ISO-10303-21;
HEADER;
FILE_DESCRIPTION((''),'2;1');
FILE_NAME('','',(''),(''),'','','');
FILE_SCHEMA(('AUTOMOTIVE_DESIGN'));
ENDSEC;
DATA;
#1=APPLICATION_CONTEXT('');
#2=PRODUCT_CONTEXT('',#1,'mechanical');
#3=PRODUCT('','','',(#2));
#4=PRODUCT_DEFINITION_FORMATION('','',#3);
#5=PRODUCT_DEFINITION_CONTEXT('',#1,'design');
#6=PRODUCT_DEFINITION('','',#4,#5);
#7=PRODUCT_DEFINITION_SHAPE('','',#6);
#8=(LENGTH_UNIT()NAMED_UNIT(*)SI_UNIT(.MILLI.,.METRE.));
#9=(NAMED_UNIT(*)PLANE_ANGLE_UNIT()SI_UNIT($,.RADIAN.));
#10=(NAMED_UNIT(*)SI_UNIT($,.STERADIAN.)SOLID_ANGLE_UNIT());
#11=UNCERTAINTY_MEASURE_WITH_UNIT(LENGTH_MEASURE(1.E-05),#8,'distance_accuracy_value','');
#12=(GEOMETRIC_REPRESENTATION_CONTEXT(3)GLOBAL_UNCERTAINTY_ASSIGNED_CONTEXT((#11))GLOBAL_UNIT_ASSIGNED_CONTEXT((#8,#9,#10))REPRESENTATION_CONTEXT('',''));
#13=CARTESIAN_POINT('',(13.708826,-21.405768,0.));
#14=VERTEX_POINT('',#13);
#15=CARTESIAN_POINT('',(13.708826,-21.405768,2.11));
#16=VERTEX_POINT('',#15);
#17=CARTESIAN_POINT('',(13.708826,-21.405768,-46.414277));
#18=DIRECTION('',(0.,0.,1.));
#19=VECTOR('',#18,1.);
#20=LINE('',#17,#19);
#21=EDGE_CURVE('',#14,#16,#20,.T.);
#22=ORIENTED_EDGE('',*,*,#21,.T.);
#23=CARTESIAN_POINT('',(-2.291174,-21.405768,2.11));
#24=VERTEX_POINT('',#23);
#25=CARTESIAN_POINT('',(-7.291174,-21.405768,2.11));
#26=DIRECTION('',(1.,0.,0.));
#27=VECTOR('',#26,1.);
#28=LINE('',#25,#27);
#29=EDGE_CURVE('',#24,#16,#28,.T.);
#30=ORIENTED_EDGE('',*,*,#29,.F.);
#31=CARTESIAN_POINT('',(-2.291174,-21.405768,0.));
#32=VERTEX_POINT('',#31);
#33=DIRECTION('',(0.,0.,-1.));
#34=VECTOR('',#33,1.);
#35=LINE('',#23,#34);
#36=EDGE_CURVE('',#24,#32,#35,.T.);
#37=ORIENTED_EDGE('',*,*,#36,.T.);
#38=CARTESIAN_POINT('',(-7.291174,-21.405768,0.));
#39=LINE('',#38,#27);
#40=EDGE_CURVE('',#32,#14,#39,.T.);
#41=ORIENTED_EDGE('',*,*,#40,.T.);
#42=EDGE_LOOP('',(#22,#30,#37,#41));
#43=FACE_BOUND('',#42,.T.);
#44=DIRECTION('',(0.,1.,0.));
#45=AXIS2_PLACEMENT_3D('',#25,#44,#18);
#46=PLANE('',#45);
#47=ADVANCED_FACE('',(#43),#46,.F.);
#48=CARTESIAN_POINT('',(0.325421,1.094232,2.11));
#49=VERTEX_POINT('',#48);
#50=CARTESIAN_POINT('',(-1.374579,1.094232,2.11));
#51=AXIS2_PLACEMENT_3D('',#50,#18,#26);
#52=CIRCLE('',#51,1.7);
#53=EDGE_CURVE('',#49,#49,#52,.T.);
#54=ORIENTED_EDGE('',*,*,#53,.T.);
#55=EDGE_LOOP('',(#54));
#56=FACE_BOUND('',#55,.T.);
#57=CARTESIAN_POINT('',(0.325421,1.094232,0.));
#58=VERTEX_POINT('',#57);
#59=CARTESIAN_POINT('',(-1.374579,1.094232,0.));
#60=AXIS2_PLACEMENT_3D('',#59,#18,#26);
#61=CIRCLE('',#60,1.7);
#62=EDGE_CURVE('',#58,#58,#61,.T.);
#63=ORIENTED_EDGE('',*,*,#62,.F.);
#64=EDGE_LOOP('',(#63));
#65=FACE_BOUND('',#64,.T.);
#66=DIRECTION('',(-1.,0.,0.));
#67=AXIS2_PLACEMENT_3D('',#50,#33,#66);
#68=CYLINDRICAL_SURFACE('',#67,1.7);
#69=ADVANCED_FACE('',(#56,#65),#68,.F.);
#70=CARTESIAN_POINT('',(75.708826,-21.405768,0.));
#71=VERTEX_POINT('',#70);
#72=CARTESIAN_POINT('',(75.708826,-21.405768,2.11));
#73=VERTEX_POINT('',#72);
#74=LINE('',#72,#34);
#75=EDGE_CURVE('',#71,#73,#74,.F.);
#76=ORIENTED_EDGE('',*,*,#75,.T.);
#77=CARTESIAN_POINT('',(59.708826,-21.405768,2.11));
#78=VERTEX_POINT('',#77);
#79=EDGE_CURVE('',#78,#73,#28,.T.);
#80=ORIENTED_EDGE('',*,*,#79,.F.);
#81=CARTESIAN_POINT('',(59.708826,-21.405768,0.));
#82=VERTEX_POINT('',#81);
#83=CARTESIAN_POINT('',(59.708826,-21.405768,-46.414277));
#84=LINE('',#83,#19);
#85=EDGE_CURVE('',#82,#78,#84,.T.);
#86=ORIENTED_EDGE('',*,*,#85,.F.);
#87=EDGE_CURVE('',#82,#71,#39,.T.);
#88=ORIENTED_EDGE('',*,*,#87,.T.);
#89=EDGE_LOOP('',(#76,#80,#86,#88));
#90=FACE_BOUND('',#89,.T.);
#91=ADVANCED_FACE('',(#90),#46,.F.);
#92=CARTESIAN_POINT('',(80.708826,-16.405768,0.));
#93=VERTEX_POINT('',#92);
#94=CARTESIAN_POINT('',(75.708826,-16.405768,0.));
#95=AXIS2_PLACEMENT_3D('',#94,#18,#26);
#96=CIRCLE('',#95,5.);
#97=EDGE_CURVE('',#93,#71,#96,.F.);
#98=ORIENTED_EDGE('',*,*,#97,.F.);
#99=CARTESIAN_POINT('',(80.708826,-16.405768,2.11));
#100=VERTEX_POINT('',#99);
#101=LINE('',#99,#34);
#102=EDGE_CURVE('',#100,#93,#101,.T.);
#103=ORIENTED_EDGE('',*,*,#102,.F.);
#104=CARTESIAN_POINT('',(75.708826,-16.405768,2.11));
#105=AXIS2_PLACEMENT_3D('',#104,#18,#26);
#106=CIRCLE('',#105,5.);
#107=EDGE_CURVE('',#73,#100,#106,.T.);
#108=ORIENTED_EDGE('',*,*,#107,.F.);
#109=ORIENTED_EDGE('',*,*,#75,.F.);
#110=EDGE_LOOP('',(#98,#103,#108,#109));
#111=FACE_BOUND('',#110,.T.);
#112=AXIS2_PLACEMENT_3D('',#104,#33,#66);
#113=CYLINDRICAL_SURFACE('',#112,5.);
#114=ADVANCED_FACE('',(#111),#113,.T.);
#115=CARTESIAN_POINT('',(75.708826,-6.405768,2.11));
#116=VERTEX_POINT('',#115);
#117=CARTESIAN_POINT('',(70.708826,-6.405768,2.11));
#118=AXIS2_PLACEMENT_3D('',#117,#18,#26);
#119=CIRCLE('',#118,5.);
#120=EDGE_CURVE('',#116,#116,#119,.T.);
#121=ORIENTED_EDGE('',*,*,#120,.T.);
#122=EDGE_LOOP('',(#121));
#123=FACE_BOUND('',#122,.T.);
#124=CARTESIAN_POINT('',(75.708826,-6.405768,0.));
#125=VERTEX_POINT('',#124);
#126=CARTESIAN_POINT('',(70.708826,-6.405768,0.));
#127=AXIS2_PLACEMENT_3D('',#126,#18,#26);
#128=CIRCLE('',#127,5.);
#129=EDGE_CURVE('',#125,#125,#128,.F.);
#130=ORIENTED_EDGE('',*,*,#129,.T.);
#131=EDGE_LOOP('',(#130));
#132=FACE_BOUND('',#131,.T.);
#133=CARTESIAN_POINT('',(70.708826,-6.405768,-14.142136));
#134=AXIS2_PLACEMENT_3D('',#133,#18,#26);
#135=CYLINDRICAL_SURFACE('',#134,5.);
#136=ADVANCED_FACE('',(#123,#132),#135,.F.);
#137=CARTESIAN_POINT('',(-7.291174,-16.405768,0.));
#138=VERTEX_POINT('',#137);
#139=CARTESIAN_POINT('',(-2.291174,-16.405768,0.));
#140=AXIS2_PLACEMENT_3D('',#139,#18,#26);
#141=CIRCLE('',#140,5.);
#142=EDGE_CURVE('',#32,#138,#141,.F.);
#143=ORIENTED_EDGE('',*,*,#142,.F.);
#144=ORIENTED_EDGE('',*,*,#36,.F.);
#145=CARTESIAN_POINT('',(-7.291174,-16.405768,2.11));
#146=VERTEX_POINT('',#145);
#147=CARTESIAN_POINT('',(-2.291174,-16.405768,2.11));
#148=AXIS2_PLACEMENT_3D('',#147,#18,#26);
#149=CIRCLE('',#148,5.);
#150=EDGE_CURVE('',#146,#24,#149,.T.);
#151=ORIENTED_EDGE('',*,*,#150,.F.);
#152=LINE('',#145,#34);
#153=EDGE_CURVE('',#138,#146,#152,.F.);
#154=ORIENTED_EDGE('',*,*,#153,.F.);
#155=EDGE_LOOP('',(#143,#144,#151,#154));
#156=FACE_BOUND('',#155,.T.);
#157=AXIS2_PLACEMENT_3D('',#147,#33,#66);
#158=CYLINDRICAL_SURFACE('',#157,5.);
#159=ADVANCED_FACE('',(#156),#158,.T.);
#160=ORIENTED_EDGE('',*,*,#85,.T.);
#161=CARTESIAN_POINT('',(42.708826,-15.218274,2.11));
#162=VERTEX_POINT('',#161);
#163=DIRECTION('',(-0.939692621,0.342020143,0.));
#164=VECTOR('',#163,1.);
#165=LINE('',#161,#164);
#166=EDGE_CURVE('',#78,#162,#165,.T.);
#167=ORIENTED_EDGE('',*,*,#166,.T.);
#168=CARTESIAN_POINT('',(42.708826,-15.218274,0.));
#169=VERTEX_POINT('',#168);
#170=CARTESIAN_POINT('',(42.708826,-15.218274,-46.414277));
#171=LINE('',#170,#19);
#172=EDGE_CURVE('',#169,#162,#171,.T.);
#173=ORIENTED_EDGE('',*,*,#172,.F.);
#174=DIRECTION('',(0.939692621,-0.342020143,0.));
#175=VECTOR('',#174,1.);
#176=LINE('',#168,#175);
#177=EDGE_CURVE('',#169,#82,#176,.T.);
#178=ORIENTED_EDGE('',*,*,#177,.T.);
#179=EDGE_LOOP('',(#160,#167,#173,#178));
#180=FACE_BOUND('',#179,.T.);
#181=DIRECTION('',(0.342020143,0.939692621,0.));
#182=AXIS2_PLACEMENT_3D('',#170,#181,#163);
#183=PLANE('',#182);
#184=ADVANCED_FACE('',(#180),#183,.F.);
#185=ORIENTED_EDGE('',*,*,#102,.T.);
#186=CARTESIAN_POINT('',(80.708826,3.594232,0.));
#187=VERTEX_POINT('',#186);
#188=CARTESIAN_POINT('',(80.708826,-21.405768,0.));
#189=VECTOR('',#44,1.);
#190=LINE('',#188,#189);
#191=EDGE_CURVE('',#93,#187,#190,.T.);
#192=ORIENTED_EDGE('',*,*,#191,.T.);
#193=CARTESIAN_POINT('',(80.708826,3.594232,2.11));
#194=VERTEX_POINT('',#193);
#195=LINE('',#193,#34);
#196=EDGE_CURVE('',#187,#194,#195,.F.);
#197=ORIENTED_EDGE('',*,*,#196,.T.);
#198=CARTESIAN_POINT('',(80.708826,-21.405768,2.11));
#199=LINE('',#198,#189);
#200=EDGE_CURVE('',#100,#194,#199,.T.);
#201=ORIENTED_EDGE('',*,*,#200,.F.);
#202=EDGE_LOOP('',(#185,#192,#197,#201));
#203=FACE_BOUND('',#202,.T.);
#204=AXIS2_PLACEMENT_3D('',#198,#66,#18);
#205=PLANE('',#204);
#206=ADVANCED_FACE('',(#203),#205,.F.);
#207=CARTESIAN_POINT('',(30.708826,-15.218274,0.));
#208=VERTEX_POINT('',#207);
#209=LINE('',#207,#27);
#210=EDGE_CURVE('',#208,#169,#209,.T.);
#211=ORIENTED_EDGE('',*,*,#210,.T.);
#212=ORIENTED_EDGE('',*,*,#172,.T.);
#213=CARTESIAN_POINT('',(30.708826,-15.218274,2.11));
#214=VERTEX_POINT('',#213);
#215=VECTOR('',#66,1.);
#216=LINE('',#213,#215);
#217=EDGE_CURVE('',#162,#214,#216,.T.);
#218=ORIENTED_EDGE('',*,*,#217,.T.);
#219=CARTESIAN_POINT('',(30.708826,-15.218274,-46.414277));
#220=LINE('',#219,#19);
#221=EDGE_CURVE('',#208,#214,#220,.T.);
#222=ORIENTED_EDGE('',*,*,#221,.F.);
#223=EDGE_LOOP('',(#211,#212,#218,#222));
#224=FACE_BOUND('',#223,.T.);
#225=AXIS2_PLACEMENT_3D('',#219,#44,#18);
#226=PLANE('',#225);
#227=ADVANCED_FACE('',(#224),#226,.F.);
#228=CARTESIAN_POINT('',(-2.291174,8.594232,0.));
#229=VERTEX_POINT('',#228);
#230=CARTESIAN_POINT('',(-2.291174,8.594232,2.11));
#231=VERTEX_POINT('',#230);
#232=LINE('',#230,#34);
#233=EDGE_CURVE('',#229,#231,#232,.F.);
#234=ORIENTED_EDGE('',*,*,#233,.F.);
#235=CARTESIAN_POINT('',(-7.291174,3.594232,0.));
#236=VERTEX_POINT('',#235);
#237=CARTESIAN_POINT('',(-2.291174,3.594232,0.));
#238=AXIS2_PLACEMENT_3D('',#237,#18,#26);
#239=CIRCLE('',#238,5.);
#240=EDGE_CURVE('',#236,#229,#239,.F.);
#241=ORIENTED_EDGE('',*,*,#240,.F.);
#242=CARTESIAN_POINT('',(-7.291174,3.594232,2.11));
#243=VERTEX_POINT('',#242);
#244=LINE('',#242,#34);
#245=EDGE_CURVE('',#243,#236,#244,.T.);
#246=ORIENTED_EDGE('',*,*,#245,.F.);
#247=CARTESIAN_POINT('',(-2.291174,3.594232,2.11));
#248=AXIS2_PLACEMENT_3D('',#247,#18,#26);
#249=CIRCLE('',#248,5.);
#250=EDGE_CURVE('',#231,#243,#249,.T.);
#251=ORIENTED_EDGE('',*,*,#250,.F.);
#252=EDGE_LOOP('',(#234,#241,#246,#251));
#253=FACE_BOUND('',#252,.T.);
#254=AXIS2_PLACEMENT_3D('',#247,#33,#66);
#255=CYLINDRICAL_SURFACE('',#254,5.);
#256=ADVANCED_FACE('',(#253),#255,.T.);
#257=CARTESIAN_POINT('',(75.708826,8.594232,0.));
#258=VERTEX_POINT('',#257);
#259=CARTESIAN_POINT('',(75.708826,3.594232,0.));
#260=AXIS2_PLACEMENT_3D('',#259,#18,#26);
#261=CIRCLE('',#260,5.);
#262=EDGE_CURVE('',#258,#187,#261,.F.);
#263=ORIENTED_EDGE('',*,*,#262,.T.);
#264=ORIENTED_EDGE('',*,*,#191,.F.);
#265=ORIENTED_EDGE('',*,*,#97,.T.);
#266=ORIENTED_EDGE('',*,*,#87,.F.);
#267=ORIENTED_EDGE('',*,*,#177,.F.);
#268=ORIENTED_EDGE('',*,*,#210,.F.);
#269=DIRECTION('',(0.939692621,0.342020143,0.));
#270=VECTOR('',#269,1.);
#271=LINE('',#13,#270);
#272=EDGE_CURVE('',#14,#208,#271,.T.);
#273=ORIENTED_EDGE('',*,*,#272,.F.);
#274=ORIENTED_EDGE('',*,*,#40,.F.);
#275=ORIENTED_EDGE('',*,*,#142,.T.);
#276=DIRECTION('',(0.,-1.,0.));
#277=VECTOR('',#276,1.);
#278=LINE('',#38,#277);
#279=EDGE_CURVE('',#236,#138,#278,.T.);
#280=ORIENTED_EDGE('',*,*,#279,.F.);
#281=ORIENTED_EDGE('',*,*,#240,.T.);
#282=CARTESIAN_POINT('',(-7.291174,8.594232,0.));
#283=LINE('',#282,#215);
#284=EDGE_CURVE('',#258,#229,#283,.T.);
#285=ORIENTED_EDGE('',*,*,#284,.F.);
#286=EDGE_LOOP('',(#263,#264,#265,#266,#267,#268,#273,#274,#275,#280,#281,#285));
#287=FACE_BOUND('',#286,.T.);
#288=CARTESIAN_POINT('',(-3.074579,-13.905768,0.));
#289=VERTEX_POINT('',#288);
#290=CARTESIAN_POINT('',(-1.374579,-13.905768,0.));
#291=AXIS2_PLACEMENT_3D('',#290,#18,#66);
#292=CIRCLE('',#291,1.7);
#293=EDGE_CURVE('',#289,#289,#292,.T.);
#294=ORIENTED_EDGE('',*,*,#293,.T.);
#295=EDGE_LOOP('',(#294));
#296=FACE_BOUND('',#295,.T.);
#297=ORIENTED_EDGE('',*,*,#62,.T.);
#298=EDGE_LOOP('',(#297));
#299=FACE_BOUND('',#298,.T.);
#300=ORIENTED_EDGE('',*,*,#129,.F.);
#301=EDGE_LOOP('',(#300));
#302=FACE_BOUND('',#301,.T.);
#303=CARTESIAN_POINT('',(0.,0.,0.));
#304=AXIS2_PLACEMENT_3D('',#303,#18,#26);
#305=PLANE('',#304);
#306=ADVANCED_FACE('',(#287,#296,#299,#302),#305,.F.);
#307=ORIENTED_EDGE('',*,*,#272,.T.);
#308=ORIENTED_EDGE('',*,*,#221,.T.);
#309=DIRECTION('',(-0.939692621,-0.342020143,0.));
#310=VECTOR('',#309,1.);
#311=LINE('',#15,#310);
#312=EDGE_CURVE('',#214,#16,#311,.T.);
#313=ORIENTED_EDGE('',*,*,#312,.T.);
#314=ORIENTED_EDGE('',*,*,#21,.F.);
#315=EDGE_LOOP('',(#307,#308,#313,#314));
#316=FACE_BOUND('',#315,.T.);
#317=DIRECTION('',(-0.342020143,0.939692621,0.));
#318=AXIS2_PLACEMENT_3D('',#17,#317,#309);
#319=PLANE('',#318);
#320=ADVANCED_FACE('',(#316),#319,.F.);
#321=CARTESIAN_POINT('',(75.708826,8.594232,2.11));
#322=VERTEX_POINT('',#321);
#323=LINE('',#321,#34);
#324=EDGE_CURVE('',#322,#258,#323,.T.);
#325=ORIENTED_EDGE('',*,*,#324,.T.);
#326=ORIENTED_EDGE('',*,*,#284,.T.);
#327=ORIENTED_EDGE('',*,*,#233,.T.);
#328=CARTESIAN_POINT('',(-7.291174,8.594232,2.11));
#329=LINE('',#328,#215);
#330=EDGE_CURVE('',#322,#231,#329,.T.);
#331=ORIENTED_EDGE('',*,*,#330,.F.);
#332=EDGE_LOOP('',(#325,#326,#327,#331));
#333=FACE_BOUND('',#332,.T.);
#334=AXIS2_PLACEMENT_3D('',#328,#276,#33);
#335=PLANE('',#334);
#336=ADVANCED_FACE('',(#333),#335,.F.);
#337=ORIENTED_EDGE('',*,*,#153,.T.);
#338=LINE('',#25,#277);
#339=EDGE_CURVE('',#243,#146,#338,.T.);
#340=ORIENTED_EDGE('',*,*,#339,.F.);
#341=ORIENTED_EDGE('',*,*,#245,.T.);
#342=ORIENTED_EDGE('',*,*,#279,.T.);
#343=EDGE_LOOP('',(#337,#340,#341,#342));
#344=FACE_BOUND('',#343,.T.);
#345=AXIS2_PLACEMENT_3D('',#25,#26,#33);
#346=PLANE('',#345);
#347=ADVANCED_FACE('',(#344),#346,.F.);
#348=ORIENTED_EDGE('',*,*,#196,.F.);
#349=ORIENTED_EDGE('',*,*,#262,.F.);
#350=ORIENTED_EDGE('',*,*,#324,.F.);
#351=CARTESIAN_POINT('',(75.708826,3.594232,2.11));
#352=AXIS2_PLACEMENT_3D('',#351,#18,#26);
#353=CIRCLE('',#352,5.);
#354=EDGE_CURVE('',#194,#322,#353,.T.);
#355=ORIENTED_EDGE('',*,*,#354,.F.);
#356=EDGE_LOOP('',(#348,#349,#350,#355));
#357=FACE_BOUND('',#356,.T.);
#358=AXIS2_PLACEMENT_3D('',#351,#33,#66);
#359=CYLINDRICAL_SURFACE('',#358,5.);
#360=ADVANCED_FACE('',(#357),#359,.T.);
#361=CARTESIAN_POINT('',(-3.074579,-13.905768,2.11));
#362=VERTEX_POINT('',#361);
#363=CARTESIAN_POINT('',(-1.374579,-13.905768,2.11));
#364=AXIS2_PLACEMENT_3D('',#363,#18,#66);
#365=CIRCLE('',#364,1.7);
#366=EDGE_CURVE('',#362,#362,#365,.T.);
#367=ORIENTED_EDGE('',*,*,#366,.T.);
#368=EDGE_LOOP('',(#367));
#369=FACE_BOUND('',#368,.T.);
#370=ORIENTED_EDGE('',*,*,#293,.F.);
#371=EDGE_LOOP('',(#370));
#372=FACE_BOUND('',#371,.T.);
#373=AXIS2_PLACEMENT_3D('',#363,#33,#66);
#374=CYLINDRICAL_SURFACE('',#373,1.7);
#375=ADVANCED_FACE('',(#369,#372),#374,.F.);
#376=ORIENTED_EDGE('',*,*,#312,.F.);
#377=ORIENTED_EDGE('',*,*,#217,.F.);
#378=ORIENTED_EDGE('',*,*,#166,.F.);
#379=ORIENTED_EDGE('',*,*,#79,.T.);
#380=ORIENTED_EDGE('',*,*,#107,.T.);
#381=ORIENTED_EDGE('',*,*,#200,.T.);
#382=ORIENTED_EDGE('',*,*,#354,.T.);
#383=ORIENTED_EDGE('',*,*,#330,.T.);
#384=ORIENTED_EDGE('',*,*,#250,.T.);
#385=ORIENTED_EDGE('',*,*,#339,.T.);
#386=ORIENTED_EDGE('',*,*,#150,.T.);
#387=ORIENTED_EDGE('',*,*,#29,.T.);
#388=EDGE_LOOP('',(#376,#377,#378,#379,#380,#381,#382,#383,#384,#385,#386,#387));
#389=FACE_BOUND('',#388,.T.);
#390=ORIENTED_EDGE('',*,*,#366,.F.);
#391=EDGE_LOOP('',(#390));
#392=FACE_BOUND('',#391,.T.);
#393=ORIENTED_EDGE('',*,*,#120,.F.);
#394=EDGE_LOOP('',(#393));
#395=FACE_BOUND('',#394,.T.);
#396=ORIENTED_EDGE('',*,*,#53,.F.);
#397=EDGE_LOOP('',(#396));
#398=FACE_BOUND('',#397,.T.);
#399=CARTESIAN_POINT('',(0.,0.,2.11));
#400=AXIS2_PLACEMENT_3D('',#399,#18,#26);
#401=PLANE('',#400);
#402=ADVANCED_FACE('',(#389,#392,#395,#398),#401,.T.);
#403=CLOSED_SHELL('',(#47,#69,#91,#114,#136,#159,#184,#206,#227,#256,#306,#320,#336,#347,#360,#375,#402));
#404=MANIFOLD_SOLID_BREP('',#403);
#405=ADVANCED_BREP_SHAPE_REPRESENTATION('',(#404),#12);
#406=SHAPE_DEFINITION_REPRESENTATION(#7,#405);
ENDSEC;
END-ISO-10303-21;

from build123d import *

# Parameters (mm, degrees)
CROQUIS1_W              = 88
CROQUIS1_H              = 30
CROQUIS1_R              = 1.7
SALIENTE_EXTRUIR1_DEPTH = 2.11
CROQUIS6_R              = 5
CORTAR_EXTRUIR2_DEPTH   = 2.11
CORTAR_EXTRUIR3_DEPTH   = 2.11
REDONDEO1_R             = 5


with BuildPart() as part:
    # Croquis1 → Saliente-Extruir1 (new body)
    with BuildSketch(Plane.XY):
        with Locations((36.708826457, -6.405767977)):
            Rectangle(CROQUIS1_W, CROQUIS1_H)
        with Locations((-1.37457934, 1.094232023)):
            Circle(CROQUIS1_R, mode=Mode.SUBTRACT)
        with Locations((-1.37457934, -13.905767977)):
            Circle(CROQUIS1_R, mode=Mode.SUBTRACT)
    extrude(amount=SALIENTE_EXTRUIR1_DEPTH)

    # Croquis6 → Cortar-Extruir2 (cut)
    with BuildSketch(Plane.XY.offset(2.11)):
        with Locations((70.708826457, -6.405767977)):
            Circle(CROQUIS6_R)
    extrude(amount=-CORTAR_EXTRUIR2_DEPTH, mode=Mode.SUBTRACT)

    # Croquis7 → Cortar-Extruir3 (cut)
    with BuildSketch(Plane.XY.offset(2.11)):
        Polygon((13.708826457, -21.405767977), (30.708826457, -15.218273994), (42.708826457, -15.218273994), (59.708826457, -21.405767977), align=None)
    extrude(amount=-CORTAR_EXTRUIR3_DEPTH, mode=Mode.SUBTRACT)

    # Redondeo1
    redondeo1_edges = [part.edges().sort_by_distance(p)[0] for p in [
        (80.708826457, 8.594232023, 1.055),
        (80.708826457, -21.405767977, 1.055),
        (-7.291173543, -21.405767977, 1.055),
        (-7.291173543, 8.594232023, 1.055),
    ]]
    fillet(redondeo1_edges, radius=REDONDEO1_R)


solid = part.part
